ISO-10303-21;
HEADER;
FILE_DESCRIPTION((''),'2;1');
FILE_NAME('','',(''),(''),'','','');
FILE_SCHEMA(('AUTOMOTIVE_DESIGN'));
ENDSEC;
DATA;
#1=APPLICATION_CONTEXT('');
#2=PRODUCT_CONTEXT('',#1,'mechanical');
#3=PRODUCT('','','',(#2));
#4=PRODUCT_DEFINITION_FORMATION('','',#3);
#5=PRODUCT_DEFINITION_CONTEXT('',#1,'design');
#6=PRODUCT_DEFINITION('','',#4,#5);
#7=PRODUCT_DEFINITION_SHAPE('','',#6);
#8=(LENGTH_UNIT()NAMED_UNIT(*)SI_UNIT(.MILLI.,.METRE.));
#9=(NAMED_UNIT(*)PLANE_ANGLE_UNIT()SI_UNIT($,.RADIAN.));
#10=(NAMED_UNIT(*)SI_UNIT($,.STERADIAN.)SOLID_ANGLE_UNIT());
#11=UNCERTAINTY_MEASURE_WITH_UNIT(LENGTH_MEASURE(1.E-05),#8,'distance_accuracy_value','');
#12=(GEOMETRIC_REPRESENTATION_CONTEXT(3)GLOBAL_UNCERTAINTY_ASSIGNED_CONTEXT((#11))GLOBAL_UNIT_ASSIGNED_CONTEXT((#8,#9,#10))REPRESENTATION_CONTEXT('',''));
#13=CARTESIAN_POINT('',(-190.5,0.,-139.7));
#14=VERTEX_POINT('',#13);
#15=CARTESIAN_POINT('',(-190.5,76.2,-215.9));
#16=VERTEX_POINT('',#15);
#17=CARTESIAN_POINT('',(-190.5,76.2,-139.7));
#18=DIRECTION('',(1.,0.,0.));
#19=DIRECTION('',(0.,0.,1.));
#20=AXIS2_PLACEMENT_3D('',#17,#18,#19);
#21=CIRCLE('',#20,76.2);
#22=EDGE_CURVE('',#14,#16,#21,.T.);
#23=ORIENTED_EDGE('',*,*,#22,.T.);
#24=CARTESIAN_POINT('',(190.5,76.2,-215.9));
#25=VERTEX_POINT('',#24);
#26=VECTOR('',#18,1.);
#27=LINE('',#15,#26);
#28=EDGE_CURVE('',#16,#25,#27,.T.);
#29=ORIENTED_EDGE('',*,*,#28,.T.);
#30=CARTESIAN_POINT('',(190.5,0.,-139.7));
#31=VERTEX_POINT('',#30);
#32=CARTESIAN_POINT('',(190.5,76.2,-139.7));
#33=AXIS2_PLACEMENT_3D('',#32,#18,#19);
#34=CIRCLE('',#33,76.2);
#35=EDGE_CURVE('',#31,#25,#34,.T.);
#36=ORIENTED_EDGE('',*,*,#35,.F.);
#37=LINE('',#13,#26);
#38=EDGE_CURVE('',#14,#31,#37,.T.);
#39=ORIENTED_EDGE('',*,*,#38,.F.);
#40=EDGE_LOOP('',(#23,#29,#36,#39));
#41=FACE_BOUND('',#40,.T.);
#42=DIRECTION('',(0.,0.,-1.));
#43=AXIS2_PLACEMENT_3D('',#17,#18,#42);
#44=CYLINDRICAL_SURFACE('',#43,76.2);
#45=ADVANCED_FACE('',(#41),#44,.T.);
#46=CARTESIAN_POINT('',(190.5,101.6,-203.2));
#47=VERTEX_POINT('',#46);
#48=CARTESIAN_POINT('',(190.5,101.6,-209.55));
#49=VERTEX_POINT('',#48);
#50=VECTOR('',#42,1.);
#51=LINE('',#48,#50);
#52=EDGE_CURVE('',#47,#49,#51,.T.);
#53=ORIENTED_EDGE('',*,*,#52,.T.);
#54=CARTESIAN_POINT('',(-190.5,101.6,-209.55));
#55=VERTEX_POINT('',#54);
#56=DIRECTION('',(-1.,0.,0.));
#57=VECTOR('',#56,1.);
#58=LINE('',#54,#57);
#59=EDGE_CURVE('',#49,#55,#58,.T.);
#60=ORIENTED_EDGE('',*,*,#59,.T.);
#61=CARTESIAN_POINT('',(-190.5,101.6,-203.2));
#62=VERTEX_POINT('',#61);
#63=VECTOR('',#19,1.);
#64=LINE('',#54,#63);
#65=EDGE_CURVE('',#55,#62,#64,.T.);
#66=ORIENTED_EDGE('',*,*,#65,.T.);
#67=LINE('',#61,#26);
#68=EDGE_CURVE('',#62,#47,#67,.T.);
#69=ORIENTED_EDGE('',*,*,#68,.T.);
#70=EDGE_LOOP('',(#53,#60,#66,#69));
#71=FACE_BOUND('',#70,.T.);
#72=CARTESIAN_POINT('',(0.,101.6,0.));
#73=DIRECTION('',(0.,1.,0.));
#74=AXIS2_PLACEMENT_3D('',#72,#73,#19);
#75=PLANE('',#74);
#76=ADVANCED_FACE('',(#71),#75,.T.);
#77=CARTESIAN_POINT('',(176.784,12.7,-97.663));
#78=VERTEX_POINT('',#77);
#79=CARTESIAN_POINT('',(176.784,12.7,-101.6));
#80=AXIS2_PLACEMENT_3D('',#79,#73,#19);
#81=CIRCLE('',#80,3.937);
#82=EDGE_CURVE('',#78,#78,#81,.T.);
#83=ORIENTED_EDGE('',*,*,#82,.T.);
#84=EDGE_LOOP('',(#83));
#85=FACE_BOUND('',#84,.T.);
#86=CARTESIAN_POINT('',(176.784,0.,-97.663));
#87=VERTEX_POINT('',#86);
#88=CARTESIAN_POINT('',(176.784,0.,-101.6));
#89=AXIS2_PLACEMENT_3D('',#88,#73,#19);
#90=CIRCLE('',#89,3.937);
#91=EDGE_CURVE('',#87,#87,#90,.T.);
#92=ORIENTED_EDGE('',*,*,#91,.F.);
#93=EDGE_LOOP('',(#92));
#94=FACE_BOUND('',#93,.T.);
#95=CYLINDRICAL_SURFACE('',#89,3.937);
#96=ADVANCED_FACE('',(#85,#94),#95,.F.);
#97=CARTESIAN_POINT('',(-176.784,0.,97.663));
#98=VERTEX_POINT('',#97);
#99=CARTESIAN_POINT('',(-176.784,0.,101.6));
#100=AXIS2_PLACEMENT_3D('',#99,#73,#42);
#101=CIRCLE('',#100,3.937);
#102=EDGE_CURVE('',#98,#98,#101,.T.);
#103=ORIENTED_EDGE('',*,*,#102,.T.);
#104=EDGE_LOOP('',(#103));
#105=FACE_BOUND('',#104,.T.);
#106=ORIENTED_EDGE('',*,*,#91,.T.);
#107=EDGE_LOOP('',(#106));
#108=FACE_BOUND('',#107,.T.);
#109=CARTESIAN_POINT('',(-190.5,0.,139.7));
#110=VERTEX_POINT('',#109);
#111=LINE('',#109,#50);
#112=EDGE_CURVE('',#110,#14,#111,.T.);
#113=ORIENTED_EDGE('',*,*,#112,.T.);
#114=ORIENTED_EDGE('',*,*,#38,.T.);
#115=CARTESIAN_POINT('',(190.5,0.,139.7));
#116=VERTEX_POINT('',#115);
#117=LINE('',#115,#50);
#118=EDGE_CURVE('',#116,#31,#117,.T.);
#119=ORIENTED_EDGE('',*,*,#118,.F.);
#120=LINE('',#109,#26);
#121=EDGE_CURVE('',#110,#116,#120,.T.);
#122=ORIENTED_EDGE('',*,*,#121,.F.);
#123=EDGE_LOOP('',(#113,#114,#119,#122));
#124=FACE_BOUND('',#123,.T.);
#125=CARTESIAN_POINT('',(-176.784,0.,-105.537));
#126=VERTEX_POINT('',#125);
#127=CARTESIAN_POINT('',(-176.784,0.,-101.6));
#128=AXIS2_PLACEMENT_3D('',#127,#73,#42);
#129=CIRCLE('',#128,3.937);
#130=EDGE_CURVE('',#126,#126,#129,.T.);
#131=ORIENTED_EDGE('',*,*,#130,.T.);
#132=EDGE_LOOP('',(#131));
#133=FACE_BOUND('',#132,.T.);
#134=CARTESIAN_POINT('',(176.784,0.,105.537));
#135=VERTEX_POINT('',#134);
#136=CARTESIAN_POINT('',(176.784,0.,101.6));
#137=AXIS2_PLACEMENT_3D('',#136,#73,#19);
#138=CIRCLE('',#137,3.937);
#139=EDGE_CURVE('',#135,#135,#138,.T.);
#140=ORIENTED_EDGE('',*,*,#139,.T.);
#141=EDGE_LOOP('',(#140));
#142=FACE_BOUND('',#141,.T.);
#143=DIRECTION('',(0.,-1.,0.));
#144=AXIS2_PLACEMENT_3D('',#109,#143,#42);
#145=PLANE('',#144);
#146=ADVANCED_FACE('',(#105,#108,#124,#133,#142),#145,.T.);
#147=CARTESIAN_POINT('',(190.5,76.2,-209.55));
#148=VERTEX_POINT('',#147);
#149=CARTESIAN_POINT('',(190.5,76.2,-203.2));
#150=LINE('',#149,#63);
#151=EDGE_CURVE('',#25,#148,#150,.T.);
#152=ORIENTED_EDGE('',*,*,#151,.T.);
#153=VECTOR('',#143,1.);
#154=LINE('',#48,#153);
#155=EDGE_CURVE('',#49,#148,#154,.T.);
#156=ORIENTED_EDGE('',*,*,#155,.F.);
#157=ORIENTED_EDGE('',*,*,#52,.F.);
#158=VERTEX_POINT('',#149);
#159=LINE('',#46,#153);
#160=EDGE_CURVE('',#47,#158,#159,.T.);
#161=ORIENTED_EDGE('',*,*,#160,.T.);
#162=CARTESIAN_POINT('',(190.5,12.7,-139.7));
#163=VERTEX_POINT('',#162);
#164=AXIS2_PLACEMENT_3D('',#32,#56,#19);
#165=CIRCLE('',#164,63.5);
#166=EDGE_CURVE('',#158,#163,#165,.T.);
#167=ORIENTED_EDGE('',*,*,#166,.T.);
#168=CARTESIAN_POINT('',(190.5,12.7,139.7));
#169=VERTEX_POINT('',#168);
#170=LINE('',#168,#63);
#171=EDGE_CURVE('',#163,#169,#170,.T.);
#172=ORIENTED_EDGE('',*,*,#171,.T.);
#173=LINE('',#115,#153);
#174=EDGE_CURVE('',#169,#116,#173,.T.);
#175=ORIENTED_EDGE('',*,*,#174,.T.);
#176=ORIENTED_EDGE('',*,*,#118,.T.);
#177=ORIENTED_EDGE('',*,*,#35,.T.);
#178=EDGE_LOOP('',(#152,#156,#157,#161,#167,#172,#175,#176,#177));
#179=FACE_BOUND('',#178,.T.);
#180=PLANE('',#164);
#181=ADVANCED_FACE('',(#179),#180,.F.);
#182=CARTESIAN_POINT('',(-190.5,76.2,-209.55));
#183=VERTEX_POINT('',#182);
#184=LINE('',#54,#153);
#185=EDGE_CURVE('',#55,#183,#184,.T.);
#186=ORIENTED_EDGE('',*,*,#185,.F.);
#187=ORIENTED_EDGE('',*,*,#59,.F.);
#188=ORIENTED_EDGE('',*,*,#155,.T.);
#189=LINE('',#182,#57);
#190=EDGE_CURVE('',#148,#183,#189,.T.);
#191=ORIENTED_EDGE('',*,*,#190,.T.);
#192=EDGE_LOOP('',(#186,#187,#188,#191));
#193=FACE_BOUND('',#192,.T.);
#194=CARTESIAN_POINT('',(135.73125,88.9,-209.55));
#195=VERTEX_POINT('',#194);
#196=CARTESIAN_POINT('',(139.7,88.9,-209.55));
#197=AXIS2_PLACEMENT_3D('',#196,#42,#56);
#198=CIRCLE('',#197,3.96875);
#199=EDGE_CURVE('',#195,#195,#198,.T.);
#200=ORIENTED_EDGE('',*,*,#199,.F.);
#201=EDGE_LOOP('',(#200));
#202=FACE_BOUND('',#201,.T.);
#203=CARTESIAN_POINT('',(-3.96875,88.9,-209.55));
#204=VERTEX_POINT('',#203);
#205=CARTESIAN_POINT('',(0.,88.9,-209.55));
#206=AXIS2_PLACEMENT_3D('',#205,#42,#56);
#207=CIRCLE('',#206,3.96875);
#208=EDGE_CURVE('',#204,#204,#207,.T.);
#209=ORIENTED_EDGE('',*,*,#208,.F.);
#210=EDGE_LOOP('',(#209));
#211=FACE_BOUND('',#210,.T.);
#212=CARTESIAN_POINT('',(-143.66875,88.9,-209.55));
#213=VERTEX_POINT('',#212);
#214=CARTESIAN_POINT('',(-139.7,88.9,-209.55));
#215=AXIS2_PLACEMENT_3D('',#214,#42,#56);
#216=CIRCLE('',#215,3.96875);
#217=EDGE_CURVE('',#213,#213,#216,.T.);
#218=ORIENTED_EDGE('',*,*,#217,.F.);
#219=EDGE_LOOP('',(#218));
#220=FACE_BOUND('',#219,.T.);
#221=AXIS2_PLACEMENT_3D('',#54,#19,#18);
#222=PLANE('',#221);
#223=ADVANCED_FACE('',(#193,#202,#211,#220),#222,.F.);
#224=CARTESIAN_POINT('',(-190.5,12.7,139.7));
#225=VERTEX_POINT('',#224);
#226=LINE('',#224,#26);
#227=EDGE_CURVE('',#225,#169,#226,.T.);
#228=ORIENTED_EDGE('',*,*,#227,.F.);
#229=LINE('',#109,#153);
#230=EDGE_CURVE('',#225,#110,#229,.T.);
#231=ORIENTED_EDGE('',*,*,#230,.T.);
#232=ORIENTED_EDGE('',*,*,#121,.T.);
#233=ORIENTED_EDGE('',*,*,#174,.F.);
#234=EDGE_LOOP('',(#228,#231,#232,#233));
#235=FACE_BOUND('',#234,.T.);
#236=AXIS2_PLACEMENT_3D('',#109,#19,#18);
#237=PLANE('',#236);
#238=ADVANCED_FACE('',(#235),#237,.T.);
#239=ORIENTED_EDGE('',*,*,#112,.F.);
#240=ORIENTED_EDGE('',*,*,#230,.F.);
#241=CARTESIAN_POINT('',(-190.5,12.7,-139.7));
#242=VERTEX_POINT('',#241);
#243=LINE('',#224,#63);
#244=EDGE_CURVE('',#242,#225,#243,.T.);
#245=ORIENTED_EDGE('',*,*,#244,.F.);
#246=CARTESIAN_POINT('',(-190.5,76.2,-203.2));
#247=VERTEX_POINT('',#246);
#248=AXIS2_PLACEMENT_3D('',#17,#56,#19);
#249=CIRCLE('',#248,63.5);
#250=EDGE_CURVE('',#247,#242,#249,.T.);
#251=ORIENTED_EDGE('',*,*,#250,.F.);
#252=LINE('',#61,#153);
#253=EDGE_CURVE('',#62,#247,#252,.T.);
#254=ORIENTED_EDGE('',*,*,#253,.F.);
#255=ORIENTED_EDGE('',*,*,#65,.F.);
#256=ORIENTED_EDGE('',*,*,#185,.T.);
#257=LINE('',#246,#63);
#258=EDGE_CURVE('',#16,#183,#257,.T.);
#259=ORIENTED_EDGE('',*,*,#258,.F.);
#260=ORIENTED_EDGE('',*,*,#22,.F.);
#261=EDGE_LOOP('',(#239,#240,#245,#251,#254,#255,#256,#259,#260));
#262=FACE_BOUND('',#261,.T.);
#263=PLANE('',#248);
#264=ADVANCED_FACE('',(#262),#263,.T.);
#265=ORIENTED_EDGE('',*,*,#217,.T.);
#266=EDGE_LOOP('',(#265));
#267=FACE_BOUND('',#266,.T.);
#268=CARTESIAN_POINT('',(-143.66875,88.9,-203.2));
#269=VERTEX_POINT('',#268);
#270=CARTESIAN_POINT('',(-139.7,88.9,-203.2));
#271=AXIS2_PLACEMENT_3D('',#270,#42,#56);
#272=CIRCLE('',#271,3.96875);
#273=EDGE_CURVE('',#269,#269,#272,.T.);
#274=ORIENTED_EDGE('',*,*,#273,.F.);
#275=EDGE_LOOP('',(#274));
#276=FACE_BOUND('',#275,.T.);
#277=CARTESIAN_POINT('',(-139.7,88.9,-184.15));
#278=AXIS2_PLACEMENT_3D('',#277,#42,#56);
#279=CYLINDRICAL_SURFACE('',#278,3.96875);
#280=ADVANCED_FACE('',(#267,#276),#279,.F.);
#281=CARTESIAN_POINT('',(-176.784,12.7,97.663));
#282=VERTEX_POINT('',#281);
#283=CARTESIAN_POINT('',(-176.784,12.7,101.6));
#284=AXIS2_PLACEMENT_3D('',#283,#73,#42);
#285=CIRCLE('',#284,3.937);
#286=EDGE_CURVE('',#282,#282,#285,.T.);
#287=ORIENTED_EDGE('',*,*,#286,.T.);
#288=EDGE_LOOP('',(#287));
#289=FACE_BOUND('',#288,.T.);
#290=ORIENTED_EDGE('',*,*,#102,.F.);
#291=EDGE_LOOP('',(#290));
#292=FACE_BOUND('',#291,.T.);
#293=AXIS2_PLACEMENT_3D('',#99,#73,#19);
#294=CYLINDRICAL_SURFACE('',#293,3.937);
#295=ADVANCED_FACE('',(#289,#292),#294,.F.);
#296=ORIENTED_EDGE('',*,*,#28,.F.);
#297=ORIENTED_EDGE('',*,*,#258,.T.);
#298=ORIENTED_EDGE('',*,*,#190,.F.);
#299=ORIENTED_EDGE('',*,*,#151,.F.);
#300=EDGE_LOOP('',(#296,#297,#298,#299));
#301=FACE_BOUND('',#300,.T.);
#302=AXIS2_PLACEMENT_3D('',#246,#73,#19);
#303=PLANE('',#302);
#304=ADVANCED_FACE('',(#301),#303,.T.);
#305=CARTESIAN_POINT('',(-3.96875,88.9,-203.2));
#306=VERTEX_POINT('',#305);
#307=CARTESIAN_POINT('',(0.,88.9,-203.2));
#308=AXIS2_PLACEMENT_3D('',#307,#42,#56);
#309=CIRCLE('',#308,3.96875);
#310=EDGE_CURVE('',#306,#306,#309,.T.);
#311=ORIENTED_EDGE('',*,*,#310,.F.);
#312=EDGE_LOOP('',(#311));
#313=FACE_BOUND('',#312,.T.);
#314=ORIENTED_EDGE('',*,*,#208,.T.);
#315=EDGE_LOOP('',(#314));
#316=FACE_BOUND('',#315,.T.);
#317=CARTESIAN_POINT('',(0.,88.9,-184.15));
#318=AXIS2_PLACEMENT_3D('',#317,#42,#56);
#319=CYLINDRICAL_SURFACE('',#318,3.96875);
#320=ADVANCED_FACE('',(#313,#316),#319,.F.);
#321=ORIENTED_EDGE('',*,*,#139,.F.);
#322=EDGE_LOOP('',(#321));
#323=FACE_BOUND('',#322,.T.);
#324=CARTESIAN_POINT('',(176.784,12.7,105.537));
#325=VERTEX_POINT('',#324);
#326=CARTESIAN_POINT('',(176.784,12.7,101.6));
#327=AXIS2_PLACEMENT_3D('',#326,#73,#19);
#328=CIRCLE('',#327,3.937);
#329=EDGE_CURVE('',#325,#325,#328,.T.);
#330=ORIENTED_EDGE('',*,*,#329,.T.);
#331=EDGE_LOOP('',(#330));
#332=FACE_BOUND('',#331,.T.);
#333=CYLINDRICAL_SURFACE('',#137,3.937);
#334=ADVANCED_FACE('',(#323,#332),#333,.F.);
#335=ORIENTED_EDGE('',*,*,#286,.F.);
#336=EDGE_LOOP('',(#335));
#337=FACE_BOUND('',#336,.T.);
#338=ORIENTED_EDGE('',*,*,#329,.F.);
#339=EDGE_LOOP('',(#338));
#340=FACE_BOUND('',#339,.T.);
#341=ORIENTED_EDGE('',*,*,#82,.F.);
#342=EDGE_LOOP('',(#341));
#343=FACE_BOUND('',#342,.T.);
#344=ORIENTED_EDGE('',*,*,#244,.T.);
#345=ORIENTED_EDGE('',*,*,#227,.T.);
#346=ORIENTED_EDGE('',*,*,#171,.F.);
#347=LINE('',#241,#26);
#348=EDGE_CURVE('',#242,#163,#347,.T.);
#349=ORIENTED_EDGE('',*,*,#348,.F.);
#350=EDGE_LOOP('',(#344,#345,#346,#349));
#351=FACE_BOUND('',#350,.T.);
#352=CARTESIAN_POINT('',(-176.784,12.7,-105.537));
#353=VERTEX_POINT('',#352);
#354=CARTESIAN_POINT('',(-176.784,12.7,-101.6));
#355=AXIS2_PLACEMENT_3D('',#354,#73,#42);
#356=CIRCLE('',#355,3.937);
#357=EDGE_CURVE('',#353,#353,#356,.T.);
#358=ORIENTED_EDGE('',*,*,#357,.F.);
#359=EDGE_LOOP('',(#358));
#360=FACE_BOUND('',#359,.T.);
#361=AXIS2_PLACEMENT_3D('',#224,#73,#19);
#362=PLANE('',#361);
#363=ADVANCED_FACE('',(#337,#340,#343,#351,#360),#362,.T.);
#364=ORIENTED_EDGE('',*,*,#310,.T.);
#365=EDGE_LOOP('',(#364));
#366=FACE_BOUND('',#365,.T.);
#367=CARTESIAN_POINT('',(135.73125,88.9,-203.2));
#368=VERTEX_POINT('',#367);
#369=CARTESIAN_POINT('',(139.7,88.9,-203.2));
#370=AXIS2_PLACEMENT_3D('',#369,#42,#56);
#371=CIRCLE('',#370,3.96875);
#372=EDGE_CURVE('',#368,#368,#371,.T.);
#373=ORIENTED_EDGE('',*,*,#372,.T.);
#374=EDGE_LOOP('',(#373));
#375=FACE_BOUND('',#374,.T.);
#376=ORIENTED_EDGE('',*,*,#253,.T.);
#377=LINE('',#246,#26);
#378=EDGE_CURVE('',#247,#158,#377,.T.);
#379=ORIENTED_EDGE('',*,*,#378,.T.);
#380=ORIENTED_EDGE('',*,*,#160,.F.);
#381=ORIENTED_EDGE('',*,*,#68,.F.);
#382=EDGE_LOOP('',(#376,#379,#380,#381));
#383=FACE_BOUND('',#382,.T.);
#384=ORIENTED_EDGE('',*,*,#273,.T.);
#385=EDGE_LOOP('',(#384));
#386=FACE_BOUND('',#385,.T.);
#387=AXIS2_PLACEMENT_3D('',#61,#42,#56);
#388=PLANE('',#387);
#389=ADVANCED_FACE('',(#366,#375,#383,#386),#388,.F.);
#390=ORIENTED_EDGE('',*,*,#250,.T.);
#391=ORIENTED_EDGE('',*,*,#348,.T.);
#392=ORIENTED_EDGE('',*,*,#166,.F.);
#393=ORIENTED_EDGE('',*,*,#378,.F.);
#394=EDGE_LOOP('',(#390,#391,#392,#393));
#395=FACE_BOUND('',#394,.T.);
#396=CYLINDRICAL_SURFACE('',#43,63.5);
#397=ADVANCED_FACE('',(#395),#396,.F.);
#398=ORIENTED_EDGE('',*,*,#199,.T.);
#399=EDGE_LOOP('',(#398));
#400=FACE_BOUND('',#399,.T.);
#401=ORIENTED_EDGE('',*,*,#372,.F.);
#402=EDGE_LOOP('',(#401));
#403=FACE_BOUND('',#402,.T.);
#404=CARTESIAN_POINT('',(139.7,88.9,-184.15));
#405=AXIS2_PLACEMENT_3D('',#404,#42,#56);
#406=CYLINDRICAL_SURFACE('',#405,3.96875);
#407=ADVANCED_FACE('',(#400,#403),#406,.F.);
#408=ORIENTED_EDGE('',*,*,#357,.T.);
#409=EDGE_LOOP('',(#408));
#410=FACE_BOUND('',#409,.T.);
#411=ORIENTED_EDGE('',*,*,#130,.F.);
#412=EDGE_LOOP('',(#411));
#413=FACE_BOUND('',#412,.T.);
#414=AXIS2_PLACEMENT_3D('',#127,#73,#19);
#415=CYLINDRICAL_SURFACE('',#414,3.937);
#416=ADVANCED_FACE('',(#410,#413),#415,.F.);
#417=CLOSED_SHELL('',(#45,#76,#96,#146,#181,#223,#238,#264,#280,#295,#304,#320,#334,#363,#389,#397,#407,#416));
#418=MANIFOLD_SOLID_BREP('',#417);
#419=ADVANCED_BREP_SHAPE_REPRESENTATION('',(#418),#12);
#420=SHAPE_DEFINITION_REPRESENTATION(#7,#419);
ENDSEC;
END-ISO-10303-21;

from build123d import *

# Parameters (mm, degrees)
BOSS_EXTRUDE1_DEPTH      = 190.5
BOSS_EXTRUDE1_DEPTH_BACK = 190.5
SKETCH2_W                = 381
SKETCH2_H                = 6.35
BOSS_EXTRUDE2_DEPTH      = 25.4
SKETCH3_R                = 3.96875
CUT_EXTRUDE1_DEPTH       = 25.4
SKETCH4_R                = 3.937
CUT_EXTRUDE2_DEPTH       = 302.34078715


with BuildPart() as part:
    # Sketch1 → Boss-Extrude1 (new, two sides: drawn at the far end of the back side and taken through both)
    with BuildSketch(Plane(origin=(0, 0, 0), x_dir=(0, 0, -1), z_dir=(1, 0, 0)).offset(-BOSS_EXTRUDE1_DEPTH_BACK)):
        with BuildLine():
            Line((-139.7, 0), (139.7, 0))
            ThreePointArc((139.7, 0), (193.581536726, 22.318463274), (215.9, 76.2))
            Line((215.9, 76.2), (203.2, 76.2))
            ThreePointArc((203.2, 76.2), (184.601280605, 31.298719395), (139.7, 12.7))
            Line((139.7, 12.7), (-139.7, 12.7))
            Line((-139.7, 12.7), (-139.7, 0))
        make_face()
    extrude(amount=BOSS_EXTRUDE1_DEPTH + BOSS_EXTRUDE1_DEPTH_BACK)

    # Sketch2 → Boss-Extrude2 (add)
    with BuildSketch(Plane(origin=(0, 76.2, 0), x_dir=(1, 0, 0), z_dir=(0, 1, 0))):
        with Locations((0, 206.375)):
            Rectangle(SKETCH2_W, SKETCH2_H)
    extrude(amount=BOSS_EXTRUDE2_DEPTH)

    # Sketch3 → Cut-Extrude1 (cut)
    with BuildSketch(Plane(origin=(0, 0, -209.55), x_dir=(-1, 0, 0), z_dir=(0, 0, -1))):
        with Locations((-139.7, 88.9)):
            Circle(SKETCH3_R)
        with Locations((139.7, 88.9)):
            Circle(SKETCH3_R)
        with Locations((0, 88.9)):
            Circle(SKETCH3_R)
    extrude(amount=-CUT_EXTRUDE1_DEPTH, mode=Mode.SUBTRACT)

    # Sketch4 → Cut-Extrude2 (cut, through all)
    with BuildSketch(Plane(origin=(0, 12.7, 0), x_dir=(1, 0, 0), z_dir=(0, 1, 0))):
        with Locations((176.784, -101.6)):
            Circle(SKETCH4_R)
        with Locations((176.784, 101.6)):
            Circle(SKETCH4_R)
        with Locations((-176.784, -101.6)):
            Circle(SKETCH4_R)
        with Locations((-176.784, 101.6)):
            Circle(SKETCH4_R)
    extrude(amount=-CUT_EXTRUDE2_DEPTH, mode=Mode.SUBTRACT)


solid = part.part
